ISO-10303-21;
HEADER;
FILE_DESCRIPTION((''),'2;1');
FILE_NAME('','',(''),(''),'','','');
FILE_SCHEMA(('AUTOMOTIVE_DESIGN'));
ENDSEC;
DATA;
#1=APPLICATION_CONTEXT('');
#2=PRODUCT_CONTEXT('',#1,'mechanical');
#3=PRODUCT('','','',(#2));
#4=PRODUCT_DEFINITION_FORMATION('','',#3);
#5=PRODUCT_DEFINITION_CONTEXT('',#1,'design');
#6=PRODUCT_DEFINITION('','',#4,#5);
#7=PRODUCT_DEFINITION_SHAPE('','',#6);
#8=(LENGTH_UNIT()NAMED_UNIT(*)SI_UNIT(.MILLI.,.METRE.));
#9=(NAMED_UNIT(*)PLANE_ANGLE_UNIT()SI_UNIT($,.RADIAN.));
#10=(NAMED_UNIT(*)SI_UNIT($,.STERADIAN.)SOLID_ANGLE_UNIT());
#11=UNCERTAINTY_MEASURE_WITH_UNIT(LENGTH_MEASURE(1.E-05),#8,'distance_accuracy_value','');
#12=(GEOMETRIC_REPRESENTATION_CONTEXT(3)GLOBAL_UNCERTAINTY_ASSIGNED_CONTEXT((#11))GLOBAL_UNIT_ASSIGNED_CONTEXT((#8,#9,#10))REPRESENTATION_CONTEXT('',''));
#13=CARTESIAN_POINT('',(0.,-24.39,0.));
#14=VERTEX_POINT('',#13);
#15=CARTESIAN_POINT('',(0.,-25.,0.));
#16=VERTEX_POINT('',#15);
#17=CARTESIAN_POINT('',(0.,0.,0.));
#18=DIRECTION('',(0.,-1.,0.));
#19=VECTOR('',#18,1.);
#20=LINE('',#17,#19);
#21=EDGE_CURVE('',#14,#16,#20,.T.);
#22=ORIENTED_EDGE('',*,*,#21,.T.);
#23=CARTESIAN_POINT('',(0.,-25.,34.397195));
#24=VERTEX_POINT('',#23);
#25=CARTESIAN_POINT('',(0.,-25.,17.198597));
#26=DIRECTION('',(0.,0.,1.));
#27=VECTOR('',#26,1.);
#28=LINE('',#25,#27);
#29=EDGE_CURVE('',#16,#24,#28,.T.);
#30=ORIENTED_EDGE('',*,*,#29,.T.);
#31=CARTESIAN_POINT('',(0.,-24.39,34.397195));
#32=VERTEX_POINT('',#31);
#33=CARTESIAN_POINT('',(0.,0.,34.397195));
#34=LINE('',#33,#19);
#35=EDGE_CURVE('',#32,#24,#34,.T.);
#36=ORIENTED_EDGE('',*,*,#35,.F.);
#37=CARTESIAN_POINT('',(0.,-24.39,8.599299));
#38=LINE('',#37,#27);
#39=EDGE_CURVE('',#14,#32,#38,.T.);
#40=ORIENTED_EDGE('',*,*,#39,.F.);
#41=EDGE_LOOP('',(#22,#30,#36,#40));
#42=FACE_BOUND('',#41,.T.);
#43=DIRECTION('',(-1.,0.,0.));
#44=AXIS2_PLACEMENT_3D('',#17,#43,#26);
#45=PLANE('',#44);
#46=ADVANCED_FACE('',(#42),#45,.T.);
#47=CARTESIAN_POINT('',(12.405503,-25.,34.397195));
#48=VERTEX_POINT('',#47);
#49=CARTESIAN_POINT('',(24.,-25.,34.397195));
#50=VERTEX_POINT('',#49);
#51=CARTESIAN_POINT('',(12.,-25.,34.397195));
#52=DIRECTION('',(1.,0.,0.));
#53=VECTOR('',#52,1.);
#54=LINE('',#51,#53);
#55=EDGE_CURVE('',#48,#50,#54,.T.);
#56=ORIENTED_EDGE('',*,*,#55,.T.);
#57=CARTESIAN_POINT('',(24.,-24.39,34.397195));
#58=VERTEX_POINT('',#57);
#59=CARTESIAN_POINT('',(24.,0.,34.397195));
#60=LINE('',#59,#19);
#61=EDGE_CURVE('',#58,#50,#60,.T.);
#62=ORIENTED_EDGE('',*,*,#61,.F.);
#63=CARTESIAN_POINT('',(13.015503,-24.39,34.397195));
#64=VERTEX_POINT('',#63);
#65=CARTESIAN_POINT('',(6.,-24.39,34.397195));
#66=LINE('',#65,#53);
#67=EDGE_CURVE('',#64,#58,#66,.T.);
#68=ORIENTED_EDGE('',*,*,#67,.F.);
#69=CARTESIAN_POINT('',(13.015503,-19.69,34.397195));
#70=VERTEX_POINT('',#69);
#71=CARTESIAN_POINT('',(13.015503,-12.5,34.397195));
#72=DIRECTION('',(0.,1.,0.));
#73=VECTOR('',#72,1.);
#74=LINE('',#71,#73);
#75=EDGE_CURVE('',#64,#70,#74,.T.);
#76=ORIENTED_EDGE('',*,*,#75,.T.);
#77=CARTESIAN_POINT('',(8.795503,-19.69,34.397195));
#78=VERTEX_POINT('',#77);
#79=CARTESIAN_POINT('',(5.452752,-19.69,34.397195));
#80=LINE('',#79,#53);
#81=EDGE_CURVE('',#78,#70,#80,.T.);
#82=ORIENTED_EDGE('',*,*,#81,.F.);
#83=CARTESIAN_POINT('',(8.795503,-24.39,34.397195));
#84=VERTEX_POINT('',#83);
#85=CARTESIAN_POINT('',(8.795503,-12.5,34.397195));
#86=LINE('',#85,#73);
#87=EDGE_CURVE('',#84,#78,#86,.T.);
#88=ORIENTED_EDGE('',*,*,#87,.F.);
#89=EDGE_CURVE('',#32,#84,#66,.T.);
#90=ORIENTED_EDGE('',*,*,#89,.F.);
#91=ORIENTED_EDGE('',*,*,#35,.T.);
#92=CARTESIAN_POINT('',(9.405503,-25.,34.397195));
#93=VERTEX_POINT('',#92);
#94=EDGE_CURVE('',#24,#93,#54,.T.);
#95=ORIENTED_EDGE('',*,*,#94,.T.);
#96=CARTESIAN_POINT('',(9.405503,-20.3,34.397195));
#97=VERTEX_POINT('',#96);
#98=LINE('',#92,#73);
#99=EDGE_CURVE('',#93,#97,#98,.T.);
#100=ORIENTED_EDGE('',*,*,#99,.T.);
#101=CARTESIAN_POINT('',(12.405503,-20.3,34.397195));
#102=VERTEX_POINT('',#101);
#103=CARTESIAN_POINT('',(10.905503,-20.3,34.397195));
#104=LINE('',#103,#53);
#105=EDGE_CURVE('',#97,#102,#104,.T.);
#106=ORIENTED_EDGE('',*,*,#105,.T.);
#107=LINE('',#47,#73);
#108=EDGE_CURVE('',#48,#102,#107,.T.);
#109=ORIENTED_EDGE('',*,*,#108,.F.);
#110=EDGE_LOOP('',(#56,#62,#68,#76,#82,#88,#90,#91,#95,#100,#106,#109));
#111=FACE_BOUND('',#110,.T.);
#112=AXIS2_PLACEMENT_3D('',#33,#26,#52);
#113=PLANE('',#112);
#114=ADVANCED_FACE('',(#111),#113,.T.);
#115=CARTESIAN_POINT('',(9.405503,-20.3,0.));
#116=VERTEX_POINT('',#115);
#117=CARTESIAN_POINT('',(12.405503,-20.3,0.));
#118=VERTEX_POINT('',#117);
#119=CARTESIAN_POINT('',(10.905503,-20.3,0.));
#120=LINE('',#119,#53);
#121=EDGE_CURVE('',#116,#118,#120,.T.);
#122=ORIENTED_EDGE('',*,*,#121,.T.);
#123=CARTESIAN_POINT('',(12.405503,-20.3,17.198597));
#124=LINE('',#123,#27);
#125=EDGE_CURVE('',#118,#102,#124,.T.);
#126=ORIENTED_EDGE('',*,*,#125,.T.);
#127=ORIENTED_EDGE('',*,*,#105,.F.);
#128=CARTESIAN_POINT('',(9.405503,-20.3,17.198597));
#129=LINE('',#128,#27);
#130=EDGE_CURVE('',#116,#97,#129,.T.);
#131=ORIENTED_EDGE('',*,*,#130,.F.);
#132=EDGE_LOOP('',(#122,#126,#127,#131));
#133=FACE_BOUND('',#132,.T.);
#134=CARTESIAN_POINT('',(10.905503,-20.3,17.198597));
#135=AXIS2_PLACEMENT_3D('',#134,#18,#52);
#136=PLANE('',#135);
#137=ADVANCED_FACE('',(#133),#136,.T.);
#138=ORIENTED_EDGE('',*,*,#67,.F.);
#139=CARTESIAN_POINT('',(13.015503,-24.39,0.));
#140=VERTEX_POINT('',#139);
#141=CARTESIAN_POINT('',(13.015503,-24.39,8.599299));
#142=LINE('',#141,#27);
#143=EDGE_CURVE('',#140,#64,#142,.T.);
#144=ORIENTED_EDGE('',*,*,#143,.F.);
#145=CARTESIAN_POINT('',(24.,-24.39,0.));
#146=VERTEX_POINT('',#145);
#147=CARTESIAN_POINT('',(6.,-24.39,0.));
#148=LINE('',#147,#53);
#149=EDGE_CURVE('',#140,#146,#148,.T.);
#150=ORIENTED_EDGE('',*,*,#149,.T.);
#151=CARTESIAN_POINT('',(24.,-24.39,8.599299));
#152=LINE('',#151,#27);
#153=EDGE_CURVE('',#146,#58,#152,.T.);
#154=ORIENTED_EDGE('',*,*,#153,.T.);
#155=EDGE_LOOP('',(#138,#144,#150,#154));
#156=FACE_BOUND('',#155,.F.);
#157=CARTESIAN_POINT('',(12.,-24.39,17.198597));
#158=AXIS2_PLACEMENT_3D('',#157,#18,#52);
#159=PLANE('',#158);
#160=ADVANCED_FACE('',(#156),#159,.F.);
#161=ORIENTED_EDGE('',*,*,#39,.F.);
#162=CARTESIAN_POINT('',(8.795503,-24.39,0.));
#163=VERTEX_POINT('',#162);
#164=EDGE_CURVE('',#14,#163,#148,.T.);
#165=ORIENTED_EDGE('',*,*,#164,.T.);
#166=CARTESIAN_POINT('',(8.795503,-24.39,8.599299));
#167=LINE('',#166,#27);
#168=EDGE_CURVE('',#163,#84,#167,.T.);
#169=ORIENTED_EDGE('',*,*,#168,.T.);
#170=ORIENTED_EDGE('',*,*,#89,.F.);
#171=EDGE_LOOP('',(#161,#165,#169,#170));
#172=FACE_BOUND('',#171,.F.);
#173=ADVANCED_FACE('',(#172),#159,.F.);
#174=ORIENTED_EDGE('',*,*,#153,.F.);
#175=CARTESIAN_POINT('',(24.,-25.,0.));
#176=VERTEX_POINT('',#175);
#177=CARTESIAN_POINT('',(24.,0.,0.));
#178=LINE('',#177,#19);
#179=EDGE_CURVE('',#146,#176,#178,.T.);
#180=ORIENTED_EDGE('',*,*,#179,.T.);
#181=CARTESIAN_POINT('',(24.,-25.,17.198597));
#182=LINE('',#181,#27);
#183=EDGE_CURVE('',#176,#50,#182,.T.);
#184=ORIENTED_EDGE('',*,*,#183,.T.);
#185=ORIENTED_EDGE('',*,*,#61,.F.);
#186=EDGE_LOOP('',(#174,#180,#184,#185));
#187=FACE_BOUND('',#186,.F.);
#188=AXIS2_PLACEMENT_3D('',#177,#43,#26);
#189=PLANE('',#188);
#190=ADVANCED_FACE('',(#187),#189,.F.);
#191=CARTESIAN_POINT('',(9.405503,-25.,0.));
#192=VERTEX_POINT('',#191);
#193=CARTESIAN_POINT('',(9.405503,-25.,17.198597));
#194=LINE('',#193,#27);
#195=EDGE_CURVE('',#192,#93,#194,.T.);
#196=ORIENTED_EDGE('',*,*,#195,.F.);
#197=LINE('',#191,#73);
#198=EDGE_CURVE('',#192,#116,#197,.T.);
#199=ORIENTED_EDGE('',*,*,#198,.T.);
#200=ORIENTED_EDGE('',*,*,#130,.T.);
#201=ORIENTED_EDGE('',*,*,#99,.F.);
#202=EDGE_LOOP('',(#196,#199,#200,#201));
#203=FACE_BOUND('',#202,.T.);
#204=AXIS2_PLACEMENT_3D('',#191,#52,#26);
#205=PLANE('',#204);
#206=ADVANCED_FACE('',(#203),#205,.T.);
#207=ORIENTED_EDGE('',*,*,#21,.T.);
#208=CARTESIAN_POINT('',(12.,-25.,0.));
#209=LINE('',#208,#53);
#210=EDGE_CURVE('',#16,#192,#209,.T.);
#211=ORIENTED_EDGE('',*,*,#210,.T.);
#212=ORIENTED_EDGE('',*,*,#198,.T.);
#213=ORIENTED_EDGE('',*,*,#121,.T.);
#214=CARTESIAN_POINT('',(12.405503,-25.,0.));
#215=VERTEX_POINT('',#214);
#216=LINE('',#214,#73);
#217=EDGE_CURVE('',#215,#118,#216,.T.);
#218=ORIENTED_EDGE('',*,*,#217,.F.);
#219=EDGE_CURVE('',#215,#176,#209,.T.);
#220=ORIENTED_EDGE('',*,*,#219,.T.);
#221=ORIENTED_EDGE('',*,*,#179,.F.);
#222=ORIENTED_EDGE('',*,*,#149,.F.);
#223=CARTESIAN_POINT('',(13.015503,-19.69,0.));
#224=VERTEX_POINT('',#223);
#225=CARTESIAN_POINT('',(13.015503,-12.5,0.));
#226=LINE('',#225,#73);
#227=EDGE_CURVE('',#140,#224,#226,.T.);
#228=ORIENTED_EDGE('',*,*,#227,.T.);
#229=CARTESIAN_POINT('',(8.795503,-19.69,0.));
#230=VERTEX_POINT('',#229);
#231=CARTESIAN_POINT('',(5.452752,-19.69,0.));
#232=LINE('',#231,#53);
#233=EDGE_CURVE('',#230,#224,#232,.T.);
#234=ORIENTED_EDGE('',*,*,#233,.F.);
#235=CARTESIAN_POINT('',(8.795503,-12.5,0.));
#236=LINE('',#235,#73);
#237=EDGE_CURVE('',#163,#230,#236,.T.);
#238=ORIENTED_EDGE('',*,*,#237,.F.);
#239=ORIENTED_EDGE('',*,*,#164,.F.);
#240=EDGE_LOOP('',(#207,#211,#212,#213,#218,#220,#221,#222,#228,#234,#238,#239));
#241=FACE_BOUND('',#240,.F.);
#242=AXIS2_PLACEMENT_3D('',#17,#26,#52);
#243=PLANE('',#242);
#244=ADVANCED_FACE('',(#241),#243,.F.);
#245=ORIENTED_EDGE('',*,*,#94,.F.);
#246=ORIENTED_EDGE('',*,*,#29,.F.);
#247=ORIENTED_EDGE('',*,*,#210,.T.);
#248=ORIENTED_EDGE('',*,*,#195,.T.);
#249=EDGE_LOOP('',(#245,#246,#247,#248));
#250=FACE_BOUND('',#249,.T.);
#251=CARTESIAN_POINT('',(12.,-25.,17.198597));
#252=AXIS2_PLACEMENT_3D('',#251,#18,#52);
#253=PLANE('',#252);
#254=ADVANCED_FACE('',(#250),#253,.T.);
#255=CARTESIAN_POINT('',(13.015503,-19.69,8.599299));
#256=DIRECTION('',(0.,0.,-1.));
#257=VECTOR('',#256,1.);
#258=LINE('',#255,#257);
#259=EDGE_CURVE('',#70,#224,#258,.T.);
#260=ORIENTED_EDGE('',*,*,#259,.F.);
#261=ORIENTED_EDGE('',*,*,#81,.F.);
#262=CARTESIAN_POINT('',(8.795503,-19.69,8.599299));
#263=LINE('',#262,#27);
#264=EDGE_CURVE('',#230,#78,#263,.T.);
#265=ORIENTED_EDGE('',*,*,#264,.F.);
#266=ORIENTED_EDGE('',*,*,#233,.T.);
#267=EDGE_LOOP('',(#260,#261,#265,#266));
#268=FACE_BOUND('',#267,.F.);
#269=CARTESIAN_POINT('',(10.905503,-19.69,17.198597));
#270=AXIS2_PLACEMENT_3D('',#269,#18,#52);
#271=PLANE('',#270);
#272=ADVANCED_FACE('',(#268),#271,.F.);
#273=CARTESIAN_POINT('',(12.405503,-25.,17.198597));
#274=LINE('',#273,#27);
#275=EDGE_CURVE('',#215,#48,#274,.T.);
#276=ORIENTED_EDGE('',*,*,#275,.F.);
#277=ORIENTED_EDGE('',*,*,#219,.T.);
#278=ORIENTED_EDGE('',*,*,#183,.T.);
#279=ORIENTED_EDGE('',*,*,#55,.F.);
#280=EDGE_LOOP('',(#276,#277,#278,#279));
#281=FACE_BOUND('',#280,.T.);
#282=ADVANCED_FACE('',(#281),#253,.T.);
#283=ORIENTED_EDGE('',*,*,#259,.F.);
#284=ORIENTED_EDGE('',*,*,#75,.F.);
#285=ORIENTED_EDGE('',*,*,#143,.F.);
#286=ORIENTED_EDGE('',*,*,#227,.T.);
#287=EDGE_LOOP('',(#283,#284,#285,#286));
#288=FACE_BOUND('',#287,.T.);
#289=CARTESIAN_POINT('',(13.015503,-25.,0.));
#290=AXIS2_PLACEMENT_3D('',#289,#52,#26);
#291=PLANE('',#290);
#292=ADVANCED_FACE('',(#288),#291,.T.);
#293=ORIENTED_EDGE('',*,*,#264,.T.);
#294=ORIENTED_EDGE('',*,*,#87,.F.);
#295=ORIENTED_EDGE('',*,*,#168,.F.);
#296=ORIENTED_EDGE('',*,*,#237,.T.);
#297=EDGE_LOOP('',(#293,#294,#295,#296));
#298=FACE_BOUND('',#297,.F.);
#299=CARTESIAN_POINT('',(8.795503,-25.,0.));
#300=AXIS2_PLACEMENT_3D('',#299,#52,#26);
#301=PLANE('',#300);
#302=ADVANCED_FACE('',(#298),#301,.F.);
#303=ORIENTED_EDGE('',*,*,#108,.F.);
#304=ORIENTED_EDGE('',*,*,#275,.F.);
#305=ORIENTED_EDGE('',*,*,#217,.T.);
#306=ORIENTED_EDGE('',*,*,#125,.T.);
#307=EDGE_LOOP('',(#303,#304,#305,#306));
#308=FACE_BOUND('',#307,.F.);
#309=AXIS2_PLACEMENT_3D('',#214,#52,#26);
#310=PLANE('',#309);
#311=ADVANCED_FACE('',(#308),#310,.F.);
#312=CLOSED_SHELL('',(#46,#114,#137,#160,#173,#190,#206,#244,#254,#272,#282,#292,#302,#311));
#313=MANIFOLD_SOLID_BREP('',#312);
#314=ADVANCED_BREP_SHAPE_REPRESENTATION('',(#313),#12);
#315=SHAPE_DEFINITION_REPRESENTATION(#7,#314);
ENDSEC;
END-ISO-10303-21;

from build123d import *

# Parameters (mm, degrees)
F0_W     = 24
F0_H     = 34.397194515
F1_DEPTH = 25
F2_W     = 3
F2_H     = 34.397194515
F3_DEPTH = 4.7
F4_T     = -0.61


with BuildPart() as f1:
    # F0 (on Front) → F1 (new body)
    with BuildSketch(Plane.XZ):
        with Locations((12, 17.1985972575)):
            Rectangle(F0_W, F0_H)
    extrude(amount=F1_DEPTH)

    # F2 (on face) → F3 (cut)
    with BuildSketch(Plane.XZ.offset(25)):
        with Locations((10.9055030495, 17.1985972575)):
            Rectangle(F2_W, F2_H)
    extrude(amount=-F3_DEPTH, mode=Mode.SUBTRACT)

    # F4
    f4_openings = [f1.faces().sort_by_distance(p)[0] for p in [
        (12, 0, 17.198597),
        (0, -12.5, 17.198597),
        (12.02634, -12.255735, 0),
        (24, -12.5, 17.198597),
        (12.02634, -12.255735, 34.397195),
    ]]
    offset(amount=F4_T, openings=f4_openings, kind=Kind.INTERSECTION)


solid = f1.part
